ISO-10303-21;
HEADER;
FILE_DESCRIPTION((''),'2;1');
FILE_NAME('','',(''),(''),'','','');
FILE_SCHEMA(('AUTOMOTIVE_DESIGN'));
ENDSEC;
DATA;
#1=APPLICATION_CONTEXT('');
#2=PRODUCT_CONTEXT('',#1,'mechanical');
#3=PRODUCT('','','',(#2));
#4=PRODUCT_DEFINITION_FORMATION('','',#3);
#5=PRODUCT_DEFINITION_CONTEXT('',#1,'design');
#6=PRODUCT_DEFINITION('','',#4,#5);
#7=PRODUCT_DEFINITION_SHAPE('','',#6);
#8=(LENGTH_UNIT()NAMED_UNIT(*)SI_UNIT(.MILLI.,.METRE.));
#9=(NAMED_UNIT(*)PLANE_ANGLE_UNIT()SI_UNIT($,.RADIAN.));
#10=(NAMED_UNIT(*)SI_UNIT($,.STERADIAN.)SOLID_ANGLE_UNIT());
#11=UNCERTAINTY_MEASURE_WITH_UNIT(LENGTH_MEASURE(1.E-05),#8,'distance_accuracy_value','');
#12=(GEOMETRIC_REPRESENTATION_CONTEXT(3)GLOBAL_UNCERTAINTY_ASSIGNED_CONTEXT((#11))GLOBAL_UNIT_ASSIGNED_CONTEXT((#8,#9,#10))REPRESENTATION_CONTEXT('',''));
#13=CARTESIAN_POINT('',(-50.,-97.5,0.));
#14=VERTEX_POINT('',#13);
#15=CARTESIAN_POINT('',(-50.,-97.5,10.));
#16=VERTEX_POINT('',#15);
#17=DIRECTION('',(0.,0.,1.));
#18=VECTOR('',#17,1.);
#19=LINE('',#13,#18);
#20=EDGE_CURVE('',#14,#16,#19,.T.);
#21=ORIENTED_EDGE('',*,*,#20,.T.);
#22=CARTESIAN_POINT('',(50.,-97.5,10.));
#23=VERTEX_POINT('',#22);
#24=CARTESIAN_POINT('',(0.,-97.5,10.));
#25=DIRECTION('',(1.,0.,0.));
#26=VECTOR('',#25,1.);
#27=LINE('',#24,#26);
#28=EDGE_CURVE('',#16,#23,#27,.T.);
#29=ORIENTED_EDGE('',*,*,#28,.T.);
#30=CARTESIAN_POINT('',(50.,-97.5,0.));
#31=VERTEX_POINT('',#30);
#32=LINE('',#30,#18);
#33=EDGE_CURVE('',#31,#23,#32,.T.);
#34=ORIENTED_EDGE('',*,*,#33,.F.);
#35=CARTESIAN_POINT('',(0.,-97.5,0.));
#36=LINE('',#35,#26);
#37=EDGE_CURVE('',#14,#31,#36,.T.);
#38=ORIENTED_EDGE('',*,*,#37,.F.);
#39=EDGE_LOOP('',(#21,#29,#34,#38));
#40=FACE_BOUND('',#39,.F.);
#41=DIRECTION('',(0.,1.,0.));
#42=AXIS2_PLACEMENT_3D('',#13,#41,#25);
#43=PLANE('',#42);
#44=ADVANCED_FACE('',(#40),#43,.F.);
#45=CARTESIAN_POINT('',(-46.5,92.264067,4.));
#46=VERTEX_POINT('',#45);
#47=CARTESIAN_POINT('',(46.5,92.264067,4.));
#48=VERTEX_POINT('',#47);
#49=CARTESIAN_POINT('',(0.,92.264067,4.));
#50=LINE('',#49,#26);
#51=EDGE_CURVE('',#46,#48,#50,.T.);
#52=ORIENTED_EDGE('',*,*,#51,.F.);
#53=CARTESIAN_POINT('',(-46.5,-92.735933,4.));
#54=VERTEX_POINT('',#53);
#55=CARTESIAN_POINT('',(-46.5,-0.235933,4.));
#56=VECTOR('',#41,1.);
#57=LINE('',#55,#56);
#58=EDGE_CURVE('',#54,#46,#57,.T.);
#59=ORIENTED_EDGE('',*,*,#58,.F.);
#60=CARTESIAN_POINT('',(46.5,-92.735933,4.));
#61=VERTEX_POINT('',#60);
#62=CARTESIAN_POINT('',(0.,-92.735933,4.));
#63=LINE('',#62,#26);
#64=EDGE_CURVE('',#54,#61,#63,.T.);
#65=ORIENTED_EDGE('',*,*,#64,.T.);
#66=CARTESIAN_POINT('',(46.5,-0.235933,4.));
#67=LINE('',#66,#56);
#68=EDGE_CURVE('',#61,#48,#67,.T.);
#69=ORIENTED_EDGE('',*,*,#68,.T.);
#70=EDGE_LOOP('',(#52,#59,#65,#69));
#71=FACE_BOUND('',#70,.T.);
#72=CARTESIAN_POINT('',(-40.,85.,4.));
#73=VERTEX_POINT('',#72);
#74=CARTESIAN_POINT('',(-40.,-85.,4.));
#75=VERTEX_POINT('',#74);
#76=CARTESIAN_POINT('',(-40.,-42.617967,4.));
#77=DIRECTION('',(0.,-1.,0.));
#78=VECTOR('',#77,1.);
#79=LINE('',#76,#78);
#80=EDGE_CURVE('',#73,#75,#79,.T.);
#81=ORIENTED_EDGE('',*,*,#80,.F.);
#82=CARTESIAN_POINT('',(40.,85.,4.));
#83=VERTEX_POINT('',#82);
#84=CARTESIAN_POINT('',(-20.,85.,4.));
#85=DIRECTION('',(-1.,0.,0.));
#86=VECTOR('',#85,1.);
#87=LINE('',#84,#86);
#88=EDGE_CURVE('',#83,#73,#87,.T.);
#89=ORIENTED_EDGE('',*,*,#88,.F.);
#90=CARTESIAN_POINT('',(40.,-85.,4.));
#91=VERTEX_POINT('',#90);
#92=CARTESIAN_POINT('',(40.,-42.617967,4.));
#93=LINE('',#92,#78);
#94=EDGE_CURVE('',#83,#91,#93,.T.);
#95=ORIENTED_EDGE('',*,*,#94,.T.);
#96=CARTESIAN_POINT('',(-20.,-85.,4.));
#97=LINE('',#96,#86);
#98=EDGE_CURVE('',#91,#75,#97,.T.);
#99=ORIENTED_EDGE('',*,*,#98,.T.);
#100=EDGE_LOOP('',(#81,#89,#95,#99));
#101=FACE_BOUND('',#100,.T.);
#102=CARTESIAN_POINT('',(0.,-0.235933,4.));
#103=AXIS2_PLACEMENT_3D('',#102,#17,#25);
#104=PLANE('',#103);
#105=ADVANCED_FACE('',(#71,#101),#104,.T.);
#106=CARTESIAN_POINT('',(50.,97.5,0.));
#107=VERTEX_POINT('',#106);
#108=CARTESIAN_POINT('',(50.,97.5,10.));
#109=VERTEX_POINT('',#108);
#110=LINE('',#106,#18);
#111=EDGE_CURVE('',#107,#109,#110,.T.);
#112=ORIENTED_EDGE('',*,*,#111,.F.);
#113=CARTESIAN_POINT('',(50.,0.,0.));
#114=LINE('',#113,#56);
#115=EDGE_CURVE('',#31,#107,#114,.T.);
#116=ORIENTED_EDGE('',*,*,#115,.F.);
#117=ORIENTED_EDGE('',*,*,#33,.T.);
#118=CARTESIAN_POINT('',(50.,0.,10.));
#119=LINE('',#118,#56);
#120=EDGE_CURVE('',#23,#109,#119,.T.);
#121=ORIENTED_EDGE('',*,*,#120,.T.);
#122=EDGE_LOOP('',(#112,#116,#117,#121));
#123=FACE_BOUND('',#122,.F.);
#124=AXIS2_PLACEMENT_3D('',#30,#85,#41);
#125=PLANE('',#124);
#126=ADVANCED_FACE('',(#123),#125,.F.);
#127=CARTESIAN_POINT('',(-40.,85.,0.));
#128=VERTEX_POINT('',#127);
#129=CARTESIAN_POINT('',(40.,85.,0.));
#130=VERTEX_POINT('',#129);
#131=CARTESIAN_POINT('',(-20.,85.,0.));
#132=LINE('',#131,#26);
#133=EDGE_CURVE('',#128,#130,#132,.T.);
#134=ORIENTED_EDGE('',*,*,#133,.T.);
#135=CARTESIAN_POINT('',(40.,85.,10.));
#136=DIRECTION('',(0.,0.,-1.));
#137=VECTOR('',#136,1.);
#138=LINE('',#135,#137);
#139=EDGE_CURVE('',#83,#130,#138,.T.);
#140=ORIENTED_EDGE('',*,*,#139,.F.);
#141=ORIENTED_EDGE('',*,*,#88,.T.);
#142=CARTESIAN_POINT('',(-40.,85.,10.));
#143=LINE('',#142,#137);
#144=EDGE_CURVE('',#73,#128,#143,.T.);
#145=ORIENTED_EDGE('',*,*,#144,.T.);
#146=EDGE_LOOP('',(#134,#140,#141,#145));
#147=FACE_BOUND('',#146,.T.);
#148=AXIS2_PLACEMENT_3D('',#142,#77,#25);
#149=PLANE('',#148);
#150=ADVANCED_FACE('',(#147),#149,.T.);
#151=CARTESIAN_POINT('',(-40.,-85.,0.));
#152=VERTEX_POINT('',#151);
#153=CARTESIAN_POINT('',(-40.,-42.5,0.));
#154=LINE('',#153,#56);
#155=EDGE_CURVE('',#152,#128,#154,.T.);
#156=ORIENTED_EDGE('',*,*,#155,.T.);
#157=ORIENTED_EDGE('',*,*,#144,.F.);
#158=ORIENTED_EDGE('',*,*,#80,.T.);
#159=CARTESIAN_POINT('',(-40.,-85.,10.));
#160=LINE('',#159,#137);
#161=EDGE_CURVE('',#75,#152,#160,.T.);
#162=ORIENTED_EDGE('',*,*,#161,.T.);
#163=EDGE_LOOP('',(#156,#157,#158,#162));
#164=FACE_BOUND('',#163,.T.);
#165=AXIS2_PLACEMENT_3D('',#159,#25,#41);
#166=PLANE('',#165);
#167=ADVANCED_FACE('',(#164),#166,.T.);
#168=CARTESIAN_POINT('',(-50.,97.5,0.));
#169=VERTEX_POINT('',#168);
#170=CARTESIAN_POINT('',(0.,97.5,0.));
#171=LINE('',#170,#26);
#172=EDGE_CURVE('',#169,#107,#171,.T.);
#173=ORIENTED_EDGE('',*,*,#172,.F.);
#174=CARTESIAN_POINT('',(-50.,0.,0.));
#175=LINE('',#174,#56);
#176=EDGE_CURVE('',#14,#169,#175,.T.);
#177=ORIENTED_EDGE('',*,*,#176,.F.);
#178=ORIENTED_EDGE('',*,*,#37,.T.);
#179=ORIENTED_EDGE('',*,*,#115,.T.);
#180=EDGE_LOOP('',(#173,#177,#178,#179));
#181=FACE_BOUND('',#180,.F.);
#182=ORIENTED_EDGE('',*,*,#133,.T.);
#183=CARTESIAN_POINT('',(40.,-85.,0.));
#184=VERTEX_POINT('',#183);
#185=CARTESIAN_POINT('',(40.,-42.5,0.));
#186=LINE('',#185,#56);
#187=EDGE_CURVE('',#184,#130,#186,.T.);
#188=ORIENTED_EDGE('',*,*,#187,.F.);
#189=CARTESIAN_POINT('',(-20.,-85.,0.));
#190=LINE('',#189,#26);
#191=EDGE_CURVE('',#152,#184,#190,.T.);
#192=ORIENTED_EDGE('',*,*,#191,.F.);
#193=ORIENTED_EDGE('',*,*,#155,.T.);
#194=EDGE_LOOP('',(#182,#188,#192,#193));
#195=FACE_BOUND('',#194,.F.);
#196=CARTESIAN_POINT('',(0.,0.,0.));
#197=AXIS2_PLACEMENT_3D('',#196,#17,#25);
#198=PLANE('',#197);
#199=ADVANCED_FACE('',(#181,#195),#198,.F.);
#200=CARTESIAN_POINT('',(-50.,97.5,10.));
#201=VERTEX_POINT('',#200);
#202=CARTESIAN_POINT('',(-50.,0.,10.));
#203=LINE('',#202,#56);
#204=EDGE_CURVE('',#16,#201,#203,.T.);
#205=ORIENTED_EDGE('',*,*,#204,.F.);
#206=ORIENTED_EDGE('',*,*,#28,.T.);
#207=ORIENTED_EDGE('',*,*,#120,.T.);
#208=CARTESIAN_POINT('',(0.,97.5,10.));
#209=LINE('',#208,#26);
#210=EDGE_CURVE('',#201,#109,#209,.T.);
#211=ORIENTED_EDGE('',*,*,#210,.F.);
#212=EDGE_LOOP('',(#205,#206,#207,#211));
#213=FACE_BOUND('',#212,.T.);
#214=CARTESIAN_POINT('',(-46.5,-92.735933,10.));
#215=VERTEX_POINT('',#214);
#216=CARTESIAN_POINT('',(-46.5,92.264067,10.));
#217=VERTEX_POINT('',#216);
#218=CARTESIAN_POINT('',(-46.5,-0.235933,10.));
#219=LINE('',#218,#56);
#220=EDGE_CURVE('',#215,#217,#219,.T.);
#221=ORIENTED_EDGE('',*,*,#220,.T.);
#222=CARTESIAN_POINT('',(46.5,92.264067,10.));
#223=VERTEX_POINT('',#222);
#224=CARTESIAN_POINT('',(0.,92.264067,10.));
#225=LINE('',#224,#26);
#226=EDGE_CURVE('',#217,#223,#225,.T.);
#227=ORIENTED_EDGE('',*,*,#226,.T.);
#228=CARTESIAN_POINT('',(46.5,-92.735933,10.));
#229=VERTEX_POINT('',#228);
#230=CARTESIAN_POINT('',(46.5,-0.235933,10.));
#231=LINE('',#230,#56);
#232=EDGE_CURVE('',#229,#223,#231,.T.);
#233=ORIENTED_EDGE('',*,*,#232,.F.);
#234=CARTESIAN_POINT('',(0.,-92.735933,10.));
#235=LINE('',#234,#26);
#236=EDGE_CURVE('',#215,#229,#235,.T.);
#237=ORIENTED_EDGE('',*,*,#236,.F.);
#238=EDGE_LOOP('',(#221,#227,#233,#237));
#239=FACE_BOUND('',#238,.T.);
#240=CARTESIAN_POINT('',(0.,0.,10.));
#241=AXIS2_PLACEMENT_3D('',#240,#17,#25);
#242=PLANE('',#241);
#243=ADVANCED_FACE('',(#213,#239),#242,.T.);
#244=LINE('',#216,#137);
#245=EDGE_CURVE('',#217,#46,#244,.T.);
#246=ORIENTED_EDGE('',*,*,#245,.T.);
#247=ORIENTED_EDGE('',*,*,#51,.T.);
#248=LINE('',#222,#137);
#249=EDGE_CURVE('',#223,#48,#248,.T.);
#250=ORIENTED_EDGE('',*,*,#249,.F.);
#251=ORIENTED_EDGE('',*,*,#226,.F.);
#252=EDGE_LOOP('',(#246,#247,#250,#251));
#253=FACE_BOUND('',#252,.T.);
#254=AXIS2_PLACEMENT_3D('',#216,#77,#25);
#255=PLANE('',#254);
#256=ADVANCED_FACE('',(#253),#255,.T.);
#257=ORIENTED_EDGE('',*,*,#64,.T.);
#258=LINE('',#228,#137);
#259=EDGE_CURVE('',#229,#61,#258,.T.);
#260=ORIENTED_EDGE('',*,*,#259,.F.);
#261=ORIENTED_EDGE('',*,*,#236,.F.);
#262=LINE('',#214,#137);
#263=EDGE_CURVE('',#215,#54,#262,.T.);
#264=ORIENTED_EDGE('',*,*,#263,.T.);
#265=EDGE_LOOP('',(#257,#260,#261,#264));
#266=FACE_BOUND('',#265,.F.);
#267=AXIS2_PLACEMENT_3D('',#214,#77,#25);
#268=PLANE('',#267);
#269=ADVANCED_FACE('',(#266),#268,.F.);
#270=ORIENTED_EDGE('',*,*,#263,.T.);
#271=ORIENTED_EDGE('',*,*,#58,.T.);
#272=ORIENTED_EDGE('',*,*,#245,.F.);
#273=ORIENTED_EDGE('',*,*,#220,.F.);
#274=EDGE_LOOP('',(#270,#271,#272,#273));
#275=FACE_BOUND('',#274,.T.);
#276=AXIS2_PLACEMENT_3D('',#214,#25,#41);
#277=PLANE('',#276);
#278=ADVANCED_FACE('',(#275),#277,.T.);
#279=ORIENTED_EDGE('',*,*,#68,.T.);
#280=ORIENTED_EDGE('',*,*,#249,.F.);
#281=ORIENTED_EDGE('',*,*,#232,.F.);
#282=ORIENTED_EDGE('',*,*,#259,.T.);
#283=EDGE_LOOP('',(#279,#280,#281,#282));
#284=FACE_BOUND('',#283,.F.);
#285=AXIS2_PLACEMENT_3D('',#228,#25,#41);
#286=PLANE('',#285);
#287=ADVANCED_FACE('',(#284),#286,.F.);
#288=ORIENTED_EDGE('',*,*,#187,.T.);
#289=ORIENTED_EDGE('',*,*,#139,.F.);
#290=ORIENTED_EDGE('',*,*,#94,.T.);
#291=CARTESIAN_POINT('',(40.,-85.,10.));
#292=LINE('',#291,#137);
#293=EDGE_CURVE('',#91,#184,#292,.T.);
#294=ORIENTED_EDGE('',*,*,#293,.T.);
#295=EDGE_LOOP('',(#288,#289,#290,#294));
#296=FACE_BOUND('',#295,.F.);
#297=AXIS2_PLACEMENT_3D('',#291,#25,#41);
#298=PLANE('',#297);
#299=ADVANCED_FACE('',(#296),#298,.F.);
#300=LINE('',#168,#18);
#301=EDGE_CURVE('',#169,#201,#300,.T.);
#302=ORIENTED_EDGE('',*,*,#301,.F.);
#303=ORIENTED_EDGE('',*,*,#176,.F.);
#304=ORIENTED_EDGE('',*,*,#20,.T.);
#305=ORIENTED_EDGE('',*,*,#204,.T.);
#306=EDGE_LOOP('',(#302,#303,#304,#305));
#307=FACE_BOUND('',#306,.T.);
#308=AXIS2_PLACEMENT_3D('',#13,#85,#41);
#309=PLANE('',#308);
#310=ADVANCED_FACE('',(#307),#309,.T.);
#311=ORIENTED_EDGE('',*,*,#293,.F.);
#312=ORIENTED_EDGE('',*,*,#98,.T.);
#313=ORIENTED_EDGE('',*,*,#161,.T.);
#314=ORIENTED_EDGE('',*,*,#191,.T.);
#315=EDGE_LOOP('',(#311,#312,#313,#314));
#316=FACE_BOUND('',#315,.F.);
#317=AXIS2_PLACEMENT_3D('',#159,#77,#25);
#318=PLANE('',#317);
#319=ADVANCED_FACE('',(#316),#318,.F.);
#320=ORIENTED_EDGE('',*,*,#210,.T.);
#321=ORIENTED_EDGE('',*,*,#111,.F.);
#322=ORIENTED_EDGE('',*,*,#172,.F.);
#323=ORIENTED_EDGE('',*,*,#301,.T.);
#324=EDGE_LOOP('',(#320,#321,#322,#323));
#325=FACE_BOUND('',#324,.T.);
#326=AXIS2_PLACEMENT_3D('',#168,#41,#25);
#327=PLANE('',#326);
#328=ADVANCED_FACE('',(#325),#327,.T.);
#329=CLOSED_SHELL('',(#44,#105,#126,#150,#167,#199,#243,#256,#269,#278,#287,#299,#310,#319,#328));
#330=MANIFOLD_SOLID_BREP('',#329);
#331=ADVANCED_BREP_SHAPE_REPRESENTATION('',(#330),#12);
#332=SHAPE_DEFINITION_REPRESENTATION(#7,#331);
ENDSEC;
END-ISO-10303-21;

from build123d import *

# Parameters (mm, degrees)
SKETCH_W        = 100
SKETCH_H        = 195
PAD_DEPTH       = 10
SKETCH001_W     = 80
SKETCH001_H     = 170
POCKET_DEPTH    = 10.001
SKETCH003_W     = 93
SKETCH003_H     = 185
POCKET001_DEPTH = 6


with BuildPart() as part:
    # Sketch → Pad (new body)
    with BuildSketch(Plane.XY):
        Rectangle(SKETCH_W, SKETCH_H)
    extrude(amount=PAD_DEPTH)

    # Sketch001 → Pocket (cut, through all)
    with BuildSketch(Plane.XY.offset(10)):
        Rectangle(SKETCH001_W, SKETCH001_H)
    extrude(amount=-POCKET_DEPTH, mode=Mode.SUBTRACT)

    # Sketch003 → Pocket001 (cut)
    with BuildSketch(Plane.XY.offset(10)):
        with Locations((0, -0.235933)):
            Rectangle(SKETCH003_W, SKETCH003_H)
    extrude(amount=-POCKET001_DEPTH, mode=Mode.SUBTRACT)


solid = part.part
